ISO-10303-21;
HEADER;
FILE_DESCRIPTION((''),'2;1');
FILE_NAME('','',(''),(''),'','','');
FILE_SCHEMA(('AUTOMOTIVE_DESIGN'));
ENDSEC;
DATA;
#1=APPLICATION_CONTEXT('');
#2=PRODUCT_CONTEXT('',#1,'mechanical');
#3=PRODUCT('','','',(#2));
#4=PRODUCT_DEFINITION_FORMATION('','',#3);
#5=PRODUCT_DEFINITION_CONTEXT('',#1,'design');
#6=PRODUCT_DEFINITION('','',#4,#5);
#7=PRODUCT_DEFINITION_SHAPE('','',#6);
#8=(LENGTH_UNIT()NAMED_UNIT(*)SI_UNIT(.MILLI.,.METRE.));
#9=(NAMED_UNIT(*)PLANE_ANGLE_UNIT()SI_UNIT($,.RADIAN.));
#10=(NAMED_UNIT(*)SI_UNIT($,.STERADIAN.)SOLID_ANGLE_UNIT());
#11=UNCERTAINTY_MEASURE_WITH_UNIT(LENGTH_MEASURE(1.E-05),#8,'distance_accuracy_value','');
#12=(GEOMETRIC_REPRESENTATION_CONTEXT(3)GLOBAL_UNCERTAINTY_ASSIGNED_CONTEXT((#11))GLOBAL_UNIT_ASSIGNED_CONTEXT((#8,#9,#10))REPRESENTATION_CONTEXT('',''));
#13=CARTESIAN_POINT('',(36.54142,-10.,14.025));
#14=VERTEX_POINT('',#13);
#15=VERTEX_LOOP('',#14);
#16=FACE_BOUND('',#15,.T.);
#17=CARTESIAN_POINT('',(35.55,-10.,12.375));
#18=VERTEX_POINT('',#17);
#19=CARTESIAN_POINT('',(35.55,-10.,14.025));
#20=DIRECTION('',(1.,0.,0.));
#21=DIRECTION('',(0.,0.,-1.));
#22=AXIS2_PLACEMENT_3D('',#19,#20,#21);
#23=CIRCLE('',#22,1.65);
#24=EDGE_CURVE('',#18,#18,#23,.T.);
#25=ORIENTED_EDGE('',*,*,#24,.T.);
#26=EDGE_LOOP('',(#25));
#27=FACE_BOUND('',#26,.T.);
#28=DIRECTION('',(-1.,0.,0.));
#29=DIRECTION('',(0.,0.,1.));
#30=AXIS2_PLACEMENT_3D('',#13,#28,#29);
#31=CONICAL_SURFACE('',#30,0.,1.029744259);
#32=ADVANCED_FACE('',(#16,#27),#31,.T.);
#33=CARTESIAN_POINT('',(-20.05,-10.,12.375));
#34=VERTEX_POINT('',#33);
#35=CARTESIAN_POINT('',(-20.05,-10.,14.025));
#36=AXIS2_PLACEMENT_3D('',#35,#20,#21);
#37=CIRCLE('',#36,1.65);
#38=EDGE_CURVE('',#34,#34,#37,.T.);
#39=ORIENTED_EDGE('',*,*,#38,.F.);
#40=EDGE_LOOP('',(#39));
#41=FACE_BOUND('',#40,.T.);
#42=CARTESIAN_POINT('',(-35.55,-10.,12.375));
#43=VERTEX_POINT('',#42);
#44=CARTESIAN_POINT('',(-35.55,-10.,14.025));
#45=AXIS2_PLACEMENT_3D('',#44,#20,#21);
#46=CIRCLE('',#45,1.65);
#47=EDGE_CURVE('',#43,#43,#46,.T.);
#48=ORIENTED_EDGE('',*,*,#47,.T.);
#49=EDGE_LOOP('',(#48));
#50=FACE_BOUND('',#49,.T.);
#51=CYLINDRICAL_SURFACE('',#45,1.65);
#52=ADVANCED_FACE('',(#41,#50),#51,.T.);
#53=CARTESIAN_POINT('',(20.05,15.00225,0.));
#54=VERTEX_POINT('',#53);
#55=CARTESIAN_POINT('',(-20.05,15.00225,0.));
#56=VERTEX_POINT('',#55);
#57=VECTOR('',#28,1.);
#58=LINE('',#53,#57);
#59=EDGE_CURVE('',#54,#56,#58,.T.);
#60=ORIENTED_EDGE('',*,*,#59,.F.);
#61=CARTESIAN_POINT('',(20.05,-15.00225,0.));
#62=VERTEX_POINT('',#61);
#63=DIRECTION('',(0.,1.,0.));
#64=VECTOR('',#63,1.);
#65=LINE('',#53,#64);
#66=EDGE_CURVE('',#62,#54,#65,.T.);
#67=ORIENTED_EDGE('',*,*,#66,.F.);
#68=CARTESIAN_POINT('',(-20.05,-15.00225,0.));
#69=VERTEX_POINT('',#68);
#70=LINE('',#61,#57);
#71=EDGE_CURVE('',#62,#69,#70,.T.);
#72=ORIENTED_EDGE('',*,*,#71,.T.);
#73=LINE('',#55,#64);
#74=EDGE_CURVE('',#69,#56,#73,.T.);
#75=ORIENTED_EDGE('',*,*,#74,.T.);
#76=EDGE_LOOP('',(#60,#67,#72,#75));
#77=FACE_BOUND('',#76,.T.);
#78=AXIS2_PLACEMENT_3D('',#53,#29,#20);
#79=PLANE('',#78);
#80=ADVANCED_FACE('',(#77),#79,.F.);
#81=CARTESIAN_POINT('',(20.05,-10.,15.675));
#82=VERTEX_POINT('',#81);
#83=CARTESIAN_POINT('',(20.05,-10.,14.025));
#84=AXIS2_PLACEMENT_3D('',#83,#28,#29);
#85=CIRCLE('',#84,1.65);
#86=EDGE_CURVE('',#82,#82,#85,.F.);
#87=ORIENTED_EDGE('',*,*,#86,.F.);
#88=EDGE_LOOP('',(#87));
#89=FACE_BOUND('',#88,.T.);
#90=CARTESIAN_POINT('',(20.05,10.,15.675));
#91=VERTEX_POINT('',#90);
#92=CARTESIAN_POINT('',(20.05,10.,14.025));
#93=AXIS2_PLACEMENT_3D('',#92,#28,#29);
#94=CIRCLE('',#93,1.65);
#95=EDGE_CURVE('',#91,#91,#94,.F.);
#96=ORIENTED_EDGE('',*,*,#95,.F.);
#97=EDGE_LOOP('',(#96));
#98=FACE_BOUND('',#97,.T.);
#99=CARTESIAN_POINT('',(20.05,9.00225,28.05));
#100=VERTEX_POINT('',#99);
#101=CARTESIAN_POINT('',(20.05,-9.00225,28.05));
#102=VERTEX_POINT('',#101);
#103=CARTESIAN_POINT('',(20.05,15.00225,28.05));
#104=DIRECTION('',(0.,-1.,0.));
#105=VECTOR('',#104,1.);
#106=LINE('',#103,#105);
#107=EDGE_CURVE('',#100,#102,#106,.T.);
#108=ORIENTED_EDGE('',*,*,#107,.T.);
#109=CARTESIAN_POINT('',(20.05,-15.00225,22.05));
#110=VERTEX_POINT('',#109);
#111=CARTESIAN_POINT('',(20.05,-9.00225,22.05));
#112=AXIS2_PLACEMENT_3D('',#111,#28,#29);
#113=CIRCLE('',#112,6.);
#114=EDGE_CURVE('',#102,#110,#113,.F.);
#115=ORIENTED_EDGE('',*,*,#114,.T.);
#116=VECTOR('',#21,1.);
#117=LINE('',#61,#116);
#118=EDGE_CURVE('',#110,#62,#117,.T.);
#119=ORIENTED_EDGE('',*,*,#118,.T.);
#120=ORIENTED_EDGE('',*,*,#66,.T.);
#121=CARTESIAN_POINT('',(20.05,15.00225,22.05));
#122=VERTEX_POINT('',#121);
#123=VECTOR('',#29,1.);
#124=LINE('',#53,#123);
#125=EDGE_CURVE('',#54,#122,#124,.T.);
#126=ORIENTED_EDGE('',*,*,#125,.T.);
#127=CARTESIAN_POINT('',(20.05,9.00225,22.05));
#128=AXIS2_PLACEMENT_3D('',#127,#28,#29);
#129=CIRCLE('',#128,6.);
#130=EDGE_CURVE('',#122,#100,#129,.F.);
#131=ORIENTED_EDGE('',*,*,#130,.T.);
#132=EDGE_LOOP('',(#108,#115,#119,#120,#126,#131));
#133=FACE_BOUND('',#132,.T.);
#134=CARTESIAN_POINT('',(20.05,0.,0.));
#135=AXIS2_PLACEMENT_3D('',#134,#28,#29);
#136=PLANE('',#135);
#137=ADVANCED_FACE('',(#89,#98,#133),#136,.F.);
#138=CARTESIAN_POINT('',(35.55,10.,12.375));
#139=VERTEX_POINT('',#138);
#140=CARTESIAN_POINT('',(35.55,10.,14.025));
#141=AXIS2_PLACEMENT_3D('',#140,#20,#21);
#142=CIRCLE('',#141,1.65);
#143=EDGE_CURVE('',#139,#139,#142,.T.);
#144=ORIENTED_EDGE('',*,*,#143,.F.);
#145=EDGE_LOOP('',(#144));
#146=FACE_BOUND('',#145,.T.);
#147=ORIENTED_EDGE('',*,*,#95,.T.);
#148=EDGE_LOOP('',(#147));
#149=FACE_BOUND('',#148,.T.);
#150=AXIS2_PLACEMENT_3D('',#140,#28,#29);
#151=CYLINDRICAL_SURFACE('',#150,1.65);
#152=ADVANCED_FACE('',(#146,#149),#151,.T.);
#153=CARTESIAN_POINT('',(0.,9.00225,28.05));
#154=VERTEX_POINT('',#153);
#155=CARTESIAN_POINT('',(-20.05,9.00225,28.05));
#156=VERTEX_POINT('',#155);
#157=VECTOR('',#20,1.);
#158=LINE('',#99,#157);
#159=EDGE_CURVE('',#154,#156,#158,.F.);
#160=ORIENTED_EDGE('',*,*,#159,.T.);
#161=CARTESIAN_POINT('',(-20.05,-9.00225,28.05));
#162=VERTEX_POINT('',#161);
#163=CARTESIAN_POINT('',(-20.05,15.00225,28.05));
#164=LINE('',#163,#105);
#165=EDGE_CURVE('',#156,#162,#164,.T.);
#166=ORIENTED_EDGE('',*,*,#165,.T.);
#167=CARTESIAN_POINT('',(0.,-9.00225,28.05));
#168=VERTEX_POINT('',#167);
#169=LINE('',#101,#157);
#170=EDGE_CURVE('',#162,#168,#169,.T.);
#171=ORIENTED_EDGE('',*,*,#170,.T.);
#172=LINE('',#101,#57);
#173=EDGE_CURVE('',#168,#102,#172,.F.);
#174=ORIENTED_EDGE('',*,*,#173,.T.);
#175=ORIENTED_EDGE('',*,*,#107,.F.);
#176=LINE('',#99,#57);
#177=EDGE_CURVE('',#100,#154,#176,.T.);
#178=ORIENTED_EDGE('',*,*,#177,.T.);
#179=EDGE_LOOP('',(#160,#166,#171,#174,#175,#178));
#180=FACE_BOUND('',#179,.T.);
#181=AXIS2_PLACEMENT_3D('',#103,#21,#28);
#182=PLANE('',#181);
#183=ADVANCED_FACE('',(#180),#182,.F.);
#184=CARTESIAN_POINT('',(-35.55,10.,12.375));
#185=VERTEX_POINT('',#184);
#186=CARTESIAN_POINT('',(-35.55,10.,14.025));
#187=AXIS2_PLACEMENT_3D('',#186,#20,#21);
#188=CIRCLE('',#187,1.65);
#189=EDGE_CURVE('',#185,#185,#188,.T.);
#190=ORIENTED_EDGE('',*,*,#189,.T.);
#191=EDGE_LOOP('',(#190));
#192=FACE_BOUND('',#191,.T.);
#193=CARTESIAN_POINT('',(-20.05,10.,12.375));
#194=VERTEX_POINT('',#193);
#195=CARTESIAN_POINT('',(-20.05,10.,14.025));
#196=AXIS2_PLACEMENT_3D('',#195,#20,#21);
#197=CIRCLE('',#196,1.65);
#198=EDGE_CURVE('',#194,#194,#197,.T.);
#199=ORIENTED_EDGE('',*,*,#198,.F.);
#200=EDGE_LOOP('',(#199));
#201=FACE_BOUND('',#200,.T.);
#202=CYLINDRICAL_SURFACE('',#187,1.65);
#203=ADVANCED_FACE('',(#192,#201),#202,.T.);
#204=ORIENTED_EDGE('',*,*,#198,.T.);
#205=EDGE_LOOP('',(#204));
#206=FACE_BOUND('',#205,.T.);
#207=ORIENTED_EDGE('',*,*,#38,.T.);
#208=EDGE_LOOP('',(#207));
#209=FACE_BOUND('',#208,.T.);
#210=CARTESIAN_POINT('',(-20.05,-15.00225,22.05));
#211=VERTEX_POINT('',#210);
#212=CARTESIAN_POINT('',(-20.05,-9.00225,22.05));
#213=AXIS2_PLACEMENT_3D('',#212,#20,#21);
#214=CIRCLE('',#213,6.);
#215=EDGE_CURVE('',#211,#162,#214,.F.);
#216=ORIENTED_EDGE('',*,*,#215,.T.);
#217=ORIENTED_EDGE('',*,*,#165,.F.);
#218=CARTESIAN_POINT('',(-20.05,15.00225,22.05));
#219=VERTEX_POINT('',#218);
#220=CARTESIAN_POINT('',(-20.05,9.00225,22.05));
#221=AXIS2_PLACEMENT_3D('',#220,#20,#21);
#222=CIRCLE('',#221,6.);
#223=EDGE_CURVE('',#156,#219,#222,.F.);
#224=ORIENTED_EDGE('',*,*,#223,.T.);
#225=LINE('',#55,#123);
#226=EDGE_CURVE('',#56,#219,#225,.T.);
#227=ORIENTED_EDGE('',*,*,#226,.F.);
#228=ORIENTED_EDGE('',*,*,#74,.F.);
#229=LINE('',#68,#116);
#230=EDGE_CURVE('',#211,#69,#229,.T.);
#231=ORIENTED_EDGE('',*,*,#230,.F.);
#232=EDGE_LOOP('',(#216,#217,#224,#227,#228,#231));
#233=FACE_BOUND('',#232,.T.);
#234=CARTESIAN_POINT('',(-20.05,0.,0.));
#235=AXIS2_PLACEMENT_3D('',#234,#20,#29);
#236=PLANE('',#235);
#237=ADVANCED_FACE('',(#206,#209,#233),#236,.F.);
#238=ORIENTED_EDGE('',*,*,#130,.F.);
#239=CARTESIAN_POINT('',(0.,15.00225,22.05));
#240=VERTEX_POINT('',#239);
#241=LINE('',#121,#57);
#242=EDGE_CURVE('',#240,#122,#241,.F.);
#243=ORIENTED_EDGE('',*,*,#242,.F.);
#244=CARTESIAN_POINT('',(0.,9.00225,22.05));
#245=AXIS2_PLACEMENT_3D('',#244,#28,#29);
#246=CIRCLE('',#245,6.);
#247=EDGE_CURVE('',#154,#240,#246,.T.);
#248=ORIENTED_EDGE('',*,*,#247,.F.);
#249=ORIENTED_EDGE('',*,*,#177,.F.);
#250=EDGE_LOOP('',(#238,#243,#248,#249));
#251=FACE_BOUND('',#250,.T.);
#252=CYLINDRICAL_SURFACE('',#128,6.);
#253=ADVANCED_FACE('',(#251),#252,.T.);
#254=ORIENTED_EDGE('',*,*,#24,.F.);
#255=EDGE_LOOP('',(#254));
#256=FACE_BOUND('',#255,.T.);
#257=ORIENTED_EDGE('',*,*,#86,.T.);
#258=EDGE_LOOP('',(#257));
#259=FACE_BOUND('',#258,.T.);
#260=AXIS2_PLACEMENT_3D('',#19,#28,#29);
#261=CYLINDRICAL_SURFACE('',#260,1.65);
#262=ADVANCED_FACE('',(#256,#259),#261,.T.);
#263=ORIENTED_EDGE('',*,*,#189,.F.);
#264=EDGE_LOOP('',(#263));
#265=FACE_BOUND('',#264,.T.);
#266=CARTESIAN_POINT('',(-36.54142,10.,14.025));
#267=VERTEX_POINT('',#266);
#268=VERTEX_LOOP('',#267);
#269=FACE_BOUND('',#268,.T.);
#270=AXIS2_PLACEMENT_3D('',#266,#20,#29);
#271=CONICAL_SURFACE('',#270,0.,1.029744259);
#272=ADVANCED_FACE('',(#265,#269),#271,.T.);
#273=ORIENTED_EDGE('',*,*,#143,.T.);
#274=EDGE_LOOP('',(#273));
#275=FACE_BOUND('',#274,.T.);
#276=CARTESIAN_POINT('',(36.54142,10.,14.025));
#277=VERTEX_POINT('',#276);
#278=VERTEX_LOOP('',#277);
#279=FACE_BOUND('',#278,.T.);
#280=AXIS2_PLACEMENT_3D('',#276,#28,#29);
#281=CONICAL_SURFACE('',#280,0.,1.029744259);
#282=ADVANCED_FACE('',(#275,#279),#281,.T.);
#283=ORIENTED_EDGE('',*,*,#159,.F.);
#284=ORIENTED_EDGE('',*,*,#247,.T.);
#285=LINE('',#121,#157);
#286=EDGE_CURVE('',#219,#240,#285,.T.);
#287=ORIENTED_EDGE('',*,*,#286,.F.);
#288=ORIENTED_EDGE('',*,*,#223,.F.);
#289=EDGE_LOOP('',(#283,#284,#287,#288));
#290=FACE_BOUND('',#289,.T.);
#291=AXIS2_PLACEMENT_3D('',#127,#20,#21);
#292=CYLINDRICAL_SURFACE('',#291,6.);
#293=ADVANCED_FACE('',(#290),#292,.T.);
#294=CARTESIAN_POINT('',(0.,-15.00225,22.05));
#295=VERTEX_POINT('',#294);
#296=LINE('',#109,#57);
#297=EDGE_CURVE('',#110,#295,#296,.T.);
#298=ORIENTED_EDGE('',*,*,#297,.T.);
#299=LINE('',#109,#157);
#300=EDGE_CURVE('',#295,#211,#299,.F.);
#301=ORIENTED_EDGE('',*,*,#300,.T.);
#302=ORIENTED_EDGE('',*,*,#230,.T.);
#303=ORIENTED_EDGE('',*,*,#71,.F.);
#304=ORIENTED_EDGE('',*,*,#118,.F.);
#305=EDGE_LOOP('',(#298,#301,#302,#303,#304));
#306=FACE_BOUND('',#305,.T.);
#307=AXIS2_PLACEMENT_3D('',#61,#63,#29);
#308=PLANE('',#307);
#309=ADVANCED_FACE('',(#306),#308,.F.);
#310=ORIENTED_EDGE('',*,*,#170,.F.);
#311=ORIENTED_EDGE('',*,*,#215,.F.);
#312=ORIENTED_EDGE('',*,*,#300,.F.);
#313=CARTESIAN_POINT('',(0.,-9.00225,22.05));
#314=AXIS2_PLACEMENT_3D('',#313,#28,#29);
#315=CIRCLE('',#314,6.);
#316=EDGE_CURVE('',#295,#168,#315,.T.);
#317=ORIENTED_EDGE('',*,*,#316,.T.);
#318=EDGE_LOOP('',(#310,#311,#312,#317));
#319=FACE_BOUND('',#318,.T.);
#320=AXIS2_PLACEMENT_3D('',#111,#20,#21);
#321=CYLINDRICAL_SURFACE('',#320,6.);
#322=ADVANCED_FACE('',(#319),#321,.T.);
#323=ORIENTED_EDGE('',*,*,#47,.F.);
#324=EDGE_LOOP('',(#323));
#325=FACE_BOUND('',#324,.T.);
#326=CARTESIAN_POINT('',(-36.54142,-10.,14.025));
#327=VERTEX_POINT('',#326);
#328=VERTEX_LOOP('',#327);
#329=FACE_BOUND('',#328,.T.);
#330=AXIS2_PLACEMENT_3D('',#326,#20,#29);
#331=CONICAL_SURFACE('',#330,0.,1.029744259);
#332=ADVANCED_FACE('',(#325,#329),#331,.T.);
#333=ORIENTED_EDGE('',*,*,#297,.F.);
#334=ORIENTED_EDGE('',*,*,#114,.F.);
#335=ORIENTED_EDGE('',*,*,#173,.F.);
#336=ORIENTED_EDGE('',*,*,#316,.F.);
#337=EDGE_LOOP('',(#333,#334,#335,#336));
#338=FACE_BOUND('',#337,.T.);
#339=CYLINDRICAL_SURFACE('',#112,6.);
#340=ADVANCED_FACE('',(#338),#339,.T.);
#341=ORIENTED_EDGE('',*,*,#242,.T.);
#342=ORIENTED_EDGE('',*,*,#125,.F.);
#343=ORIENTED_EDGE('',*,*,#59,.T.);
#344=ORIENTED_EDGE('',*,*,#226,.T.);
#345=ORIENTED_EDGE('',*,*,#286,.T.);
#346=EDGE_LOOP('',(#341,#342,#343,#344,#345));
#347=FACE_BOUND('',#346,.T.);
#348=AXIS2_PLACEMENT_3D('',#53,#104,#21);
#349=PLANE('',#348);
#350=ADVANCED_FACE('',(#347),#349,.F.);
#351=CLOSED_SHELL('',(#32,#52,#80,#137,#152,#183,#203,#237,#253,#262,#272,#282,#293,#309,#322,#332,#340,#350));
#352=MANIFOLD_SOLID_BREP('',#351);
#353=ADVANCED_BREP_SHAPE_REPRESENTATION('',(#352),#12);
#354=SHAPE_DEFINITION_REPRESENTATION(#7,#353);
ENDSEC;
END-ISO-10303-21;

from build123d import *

# Parameters (mm, degrees)
SKIZZE1_W                       = 28.05
SKIZZE1_H                       = 30.0045
AUFSATZ_LINEAR_AUSTRAGEN1_DEPTH = 20.05
VERRUNDUNG1_R                   = 6
SKIZZE2_R                       = 1.65
AUFSATZ_LINEAR_AUSTRAGEN2_DEPTH = 15.5
VERRUNDUNG1_OF_SPIEGELN1_R      = 6


with BuildPart() as part:
    # Skizze1 → Aufsatz-Linear austragen1 (new body)
    with BuildSketch(Plane(origin=(0, 0, 0), x_dir=(0, 0, -1), z_dir=(1, 0, 0))):
        with Locations((-14.025, 0)):
            Rectangle(SKIZZE1_W, SKIZZE1_H)
    aufsatz_linear_austragen1 = extrude(amount=AUFSATZ_LINEAR_AUSTRAGEN1_DEPTH)

    # Verrundung1
    verrundung1_edges = [part.edges().sort_by_distance(p)[0] for p in [
        (10.025, -15.00225, 28.05),
        (10.025, 15.00225, 28.05),
    ]]
    fillet(verrundung1_edges, radius=VERRUNDUNG1_R)

    # Skizze2 → Aufsatz-Linear austragen2 (add)
    with BuildSketch(Plane(origin=(20.05, 0, 0), x_dir=(0, 0, -1), z_dir=(1, 0, 0))):
        with Locations(Location((-14.025, 10, 0), (0, 0, 180))):
            Circle(SKIZZE2_R)
        with Locations(Location((-14.025, -10, 0), (0, 0, 180))):
            Circle(SKIZZE2_R)
    aufsatz_linear_austragen2 = extrude(amount=AUFSATZ_LINEAR_AUSTRAGEN2_DEPTH)

    # Skizze3 → Rotation1 (revolve)
    with BuildSketch(Plane.XY.offset(14.025), mode=Mode.PRIVATE) as rotation1_sk:
        Polygon((35.55, 10), (36.541420021, 10), (35.55, 11.65), align=None)
    rotation1 = revolve(rotation1_sk.sketch.rotate(Axis((35.55, 10, 14.025), (-1, 0, 0)), 270), axis=Axis((35.55, 10, 14.025), (-1, 0, 0)))

    # Skizze4 → Rotation2 (revolve)
    with BuildSketch(Plane.XY.offset(14.025), mode=Mode.PRIVATE) as rotation2_sk:
        Polygon((35.55, -10), (36.541420021, -10), (35.55, -8.35), align=None)
    rotation2 = revolve(rotation2_sk.sketch.rotate(Axis((35.55, -10, 14.025), (-1, 0, 0)), 270), axis=Axis((35.55, -10, 14.025), (-1, 0, 0)))

    # Spiegeln1: Aufsatz-Linear austragen1, Aufsatz-Linear austragen2, Rotation1, Rotation2 across plane
    add(aufsatz_linear_austragen1.mirror(Plane.ZY))
    add(aufsatz_linear_austragen2.mirror(Plane.ZY))
    add(rotation1.mirror(Plane.ZY))
    add(rotation2.mirror(Plane.ZY))

    # Verrundung1 of Spiegeln1
    verrundung1_of_spiegeln1_edges = [part.edges().sort_by_distance(p)[0] for p in [
        (-10.025, -15.00225, 28.05),
        (-10.025, 15.00225, 28.05),
    ]]
    fillet(verrundung1_of_spiegeln1_edges, radius=VERRUNDUNG1_OF_SPIEGELN1_R)


solid = part.part
